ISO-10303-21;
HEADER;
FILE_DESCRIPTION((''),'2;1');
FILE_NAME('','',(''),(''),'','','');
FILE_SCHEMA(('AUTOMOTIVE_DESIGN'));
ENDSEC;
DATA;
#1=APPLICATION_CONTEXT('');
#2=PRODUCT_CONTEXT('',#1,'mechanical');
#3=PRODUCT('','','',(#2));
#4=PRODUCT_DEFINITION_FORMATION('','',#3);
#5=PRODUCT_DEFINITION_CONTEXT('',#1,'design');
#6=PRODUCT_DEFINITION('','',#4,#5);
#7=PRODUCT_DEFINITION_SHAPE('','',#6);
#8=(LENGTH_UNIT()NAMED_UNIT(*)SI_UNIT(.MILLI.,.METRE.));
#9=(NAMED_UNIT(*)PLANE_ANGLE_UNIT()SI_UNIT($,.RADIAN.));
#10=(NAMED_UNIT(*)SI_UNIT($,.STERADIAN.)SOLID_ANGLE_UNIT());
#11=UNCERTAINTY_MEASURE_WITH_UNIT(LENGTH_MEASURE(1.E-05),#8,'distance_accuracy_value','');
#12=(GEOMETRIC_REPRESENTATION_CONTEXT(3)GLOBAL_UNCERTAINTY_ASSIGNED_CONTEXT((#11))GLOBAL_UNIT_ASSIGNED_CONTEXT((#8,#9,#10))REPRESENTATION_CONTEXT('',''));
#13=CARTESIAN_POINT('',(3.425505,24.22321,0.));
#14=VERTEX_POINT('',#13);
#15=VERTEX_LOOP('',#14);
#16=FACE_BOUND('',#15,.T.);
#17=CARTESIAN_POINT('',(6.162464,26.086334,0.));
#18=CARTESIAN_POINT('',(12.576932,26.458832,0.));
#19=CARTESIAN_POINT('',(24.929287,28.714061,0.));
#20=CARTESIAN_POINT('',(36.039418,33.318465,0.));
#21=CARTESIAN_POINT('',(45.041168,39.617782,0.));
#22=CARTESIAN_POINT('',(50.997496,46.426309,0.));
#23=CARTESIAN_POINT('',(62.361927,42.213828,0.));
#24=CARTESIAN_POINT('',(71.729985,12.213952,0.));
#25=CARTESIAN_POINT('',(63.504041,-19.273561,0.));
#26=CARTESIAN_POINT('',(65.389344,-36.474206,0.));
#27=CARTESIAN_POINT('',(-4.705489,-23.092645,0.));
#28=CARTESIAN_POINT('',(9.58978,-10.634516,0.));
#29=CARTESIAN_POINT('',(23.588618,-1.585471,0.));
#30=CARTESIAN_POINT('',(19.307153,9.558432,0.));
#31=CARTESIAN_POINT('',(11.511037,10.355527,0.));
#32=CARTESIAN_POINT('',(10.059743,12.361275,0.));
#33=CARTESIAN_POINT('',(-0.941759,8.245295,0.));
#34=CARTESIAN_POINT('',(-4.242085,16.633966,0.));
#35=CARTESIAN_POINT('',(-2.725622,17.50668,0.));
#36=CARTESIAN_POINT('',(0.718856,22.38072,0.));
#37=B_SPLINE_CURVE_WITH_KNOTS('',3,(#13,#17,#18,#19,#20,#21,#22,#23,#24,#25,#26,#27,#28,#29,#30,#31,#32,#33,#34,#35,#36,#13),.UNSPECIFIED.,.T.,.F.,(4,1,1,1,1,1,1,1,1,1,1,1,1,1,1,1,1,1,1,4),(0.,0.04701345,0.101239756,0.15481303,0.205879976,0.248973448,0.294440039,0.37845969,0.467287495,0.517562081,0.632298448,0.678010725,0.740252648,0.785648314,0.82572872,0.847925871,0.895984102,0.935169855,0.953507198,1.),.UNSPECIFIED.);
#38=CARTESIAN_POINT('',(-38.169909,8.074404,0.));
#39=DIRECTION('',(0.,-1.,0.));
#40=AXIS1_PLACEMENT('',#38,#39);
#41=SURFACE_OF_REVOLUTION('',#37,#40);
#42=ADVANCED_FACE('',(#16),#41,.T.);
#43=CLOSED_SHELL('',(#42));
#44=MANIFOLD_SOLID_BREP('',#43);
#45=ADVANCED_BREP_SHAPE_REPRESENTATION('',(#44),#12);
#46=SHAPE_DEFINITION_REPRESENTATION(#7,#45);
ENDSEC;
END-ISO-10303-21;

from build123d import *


with BuildPart() as f1:
    # F0 (on Top) → F1 (revolve)
    with BuildSketch(Plane.XY):
        with BuildLine():
            add(Edge.make_bspline(
                [(3.4255045466, 24.2232102901), (6.1624637, 26.0863340459), (12.57693168, 26.4588320049), (24.9292874444, 28.714060885), (36.0394182169, 33.3184654831), (45.0411678016, 39.617782139), (50.9974955591, 46.4263087705), (62.3619271087, 42.2138280498), (71.7299852559, 12.2139519298), (63.504041442, -19.2735605335), (65.3893442239, -36.4742062872), (-4.705488551, -23.0926454388), (9.5897801738, -10.6345164047), (23.5886176162, -1.5854710353), (19.3071525878, 9.558432007), (11.5110369758, 10.3555272282), (10.059743488, 12.3612752852), (-0.9417594284, 8.245294936), (-4.2420852911, 16.6339655499), (-2.7256217324, 17.5066798968), (0.7188556876, 22.3807195895), (3.4255045466, 24.2232102901)],
                knots=[0, 0, 0, 0, 0.0470134496, 0.1012397555, 0.1548130299, 0.2058799759, 0.2489734484, 0.2944400394, 0.3784596897, 0.4672874954, 0.5175620807, 0.6322984483, 0.6780107255, 0.7402526477, 0.7856483137, 0.8257287204, 0.8479258707, 0.8959841017, 0.9351698555, 0.9535071981, 1, 1, 1, 1], degree=3))
        make_face()
    revolve(axis=Axis((-38.1699092686, 8.0744037405, 0), (0, -1, 0)))


solid = f1.part
